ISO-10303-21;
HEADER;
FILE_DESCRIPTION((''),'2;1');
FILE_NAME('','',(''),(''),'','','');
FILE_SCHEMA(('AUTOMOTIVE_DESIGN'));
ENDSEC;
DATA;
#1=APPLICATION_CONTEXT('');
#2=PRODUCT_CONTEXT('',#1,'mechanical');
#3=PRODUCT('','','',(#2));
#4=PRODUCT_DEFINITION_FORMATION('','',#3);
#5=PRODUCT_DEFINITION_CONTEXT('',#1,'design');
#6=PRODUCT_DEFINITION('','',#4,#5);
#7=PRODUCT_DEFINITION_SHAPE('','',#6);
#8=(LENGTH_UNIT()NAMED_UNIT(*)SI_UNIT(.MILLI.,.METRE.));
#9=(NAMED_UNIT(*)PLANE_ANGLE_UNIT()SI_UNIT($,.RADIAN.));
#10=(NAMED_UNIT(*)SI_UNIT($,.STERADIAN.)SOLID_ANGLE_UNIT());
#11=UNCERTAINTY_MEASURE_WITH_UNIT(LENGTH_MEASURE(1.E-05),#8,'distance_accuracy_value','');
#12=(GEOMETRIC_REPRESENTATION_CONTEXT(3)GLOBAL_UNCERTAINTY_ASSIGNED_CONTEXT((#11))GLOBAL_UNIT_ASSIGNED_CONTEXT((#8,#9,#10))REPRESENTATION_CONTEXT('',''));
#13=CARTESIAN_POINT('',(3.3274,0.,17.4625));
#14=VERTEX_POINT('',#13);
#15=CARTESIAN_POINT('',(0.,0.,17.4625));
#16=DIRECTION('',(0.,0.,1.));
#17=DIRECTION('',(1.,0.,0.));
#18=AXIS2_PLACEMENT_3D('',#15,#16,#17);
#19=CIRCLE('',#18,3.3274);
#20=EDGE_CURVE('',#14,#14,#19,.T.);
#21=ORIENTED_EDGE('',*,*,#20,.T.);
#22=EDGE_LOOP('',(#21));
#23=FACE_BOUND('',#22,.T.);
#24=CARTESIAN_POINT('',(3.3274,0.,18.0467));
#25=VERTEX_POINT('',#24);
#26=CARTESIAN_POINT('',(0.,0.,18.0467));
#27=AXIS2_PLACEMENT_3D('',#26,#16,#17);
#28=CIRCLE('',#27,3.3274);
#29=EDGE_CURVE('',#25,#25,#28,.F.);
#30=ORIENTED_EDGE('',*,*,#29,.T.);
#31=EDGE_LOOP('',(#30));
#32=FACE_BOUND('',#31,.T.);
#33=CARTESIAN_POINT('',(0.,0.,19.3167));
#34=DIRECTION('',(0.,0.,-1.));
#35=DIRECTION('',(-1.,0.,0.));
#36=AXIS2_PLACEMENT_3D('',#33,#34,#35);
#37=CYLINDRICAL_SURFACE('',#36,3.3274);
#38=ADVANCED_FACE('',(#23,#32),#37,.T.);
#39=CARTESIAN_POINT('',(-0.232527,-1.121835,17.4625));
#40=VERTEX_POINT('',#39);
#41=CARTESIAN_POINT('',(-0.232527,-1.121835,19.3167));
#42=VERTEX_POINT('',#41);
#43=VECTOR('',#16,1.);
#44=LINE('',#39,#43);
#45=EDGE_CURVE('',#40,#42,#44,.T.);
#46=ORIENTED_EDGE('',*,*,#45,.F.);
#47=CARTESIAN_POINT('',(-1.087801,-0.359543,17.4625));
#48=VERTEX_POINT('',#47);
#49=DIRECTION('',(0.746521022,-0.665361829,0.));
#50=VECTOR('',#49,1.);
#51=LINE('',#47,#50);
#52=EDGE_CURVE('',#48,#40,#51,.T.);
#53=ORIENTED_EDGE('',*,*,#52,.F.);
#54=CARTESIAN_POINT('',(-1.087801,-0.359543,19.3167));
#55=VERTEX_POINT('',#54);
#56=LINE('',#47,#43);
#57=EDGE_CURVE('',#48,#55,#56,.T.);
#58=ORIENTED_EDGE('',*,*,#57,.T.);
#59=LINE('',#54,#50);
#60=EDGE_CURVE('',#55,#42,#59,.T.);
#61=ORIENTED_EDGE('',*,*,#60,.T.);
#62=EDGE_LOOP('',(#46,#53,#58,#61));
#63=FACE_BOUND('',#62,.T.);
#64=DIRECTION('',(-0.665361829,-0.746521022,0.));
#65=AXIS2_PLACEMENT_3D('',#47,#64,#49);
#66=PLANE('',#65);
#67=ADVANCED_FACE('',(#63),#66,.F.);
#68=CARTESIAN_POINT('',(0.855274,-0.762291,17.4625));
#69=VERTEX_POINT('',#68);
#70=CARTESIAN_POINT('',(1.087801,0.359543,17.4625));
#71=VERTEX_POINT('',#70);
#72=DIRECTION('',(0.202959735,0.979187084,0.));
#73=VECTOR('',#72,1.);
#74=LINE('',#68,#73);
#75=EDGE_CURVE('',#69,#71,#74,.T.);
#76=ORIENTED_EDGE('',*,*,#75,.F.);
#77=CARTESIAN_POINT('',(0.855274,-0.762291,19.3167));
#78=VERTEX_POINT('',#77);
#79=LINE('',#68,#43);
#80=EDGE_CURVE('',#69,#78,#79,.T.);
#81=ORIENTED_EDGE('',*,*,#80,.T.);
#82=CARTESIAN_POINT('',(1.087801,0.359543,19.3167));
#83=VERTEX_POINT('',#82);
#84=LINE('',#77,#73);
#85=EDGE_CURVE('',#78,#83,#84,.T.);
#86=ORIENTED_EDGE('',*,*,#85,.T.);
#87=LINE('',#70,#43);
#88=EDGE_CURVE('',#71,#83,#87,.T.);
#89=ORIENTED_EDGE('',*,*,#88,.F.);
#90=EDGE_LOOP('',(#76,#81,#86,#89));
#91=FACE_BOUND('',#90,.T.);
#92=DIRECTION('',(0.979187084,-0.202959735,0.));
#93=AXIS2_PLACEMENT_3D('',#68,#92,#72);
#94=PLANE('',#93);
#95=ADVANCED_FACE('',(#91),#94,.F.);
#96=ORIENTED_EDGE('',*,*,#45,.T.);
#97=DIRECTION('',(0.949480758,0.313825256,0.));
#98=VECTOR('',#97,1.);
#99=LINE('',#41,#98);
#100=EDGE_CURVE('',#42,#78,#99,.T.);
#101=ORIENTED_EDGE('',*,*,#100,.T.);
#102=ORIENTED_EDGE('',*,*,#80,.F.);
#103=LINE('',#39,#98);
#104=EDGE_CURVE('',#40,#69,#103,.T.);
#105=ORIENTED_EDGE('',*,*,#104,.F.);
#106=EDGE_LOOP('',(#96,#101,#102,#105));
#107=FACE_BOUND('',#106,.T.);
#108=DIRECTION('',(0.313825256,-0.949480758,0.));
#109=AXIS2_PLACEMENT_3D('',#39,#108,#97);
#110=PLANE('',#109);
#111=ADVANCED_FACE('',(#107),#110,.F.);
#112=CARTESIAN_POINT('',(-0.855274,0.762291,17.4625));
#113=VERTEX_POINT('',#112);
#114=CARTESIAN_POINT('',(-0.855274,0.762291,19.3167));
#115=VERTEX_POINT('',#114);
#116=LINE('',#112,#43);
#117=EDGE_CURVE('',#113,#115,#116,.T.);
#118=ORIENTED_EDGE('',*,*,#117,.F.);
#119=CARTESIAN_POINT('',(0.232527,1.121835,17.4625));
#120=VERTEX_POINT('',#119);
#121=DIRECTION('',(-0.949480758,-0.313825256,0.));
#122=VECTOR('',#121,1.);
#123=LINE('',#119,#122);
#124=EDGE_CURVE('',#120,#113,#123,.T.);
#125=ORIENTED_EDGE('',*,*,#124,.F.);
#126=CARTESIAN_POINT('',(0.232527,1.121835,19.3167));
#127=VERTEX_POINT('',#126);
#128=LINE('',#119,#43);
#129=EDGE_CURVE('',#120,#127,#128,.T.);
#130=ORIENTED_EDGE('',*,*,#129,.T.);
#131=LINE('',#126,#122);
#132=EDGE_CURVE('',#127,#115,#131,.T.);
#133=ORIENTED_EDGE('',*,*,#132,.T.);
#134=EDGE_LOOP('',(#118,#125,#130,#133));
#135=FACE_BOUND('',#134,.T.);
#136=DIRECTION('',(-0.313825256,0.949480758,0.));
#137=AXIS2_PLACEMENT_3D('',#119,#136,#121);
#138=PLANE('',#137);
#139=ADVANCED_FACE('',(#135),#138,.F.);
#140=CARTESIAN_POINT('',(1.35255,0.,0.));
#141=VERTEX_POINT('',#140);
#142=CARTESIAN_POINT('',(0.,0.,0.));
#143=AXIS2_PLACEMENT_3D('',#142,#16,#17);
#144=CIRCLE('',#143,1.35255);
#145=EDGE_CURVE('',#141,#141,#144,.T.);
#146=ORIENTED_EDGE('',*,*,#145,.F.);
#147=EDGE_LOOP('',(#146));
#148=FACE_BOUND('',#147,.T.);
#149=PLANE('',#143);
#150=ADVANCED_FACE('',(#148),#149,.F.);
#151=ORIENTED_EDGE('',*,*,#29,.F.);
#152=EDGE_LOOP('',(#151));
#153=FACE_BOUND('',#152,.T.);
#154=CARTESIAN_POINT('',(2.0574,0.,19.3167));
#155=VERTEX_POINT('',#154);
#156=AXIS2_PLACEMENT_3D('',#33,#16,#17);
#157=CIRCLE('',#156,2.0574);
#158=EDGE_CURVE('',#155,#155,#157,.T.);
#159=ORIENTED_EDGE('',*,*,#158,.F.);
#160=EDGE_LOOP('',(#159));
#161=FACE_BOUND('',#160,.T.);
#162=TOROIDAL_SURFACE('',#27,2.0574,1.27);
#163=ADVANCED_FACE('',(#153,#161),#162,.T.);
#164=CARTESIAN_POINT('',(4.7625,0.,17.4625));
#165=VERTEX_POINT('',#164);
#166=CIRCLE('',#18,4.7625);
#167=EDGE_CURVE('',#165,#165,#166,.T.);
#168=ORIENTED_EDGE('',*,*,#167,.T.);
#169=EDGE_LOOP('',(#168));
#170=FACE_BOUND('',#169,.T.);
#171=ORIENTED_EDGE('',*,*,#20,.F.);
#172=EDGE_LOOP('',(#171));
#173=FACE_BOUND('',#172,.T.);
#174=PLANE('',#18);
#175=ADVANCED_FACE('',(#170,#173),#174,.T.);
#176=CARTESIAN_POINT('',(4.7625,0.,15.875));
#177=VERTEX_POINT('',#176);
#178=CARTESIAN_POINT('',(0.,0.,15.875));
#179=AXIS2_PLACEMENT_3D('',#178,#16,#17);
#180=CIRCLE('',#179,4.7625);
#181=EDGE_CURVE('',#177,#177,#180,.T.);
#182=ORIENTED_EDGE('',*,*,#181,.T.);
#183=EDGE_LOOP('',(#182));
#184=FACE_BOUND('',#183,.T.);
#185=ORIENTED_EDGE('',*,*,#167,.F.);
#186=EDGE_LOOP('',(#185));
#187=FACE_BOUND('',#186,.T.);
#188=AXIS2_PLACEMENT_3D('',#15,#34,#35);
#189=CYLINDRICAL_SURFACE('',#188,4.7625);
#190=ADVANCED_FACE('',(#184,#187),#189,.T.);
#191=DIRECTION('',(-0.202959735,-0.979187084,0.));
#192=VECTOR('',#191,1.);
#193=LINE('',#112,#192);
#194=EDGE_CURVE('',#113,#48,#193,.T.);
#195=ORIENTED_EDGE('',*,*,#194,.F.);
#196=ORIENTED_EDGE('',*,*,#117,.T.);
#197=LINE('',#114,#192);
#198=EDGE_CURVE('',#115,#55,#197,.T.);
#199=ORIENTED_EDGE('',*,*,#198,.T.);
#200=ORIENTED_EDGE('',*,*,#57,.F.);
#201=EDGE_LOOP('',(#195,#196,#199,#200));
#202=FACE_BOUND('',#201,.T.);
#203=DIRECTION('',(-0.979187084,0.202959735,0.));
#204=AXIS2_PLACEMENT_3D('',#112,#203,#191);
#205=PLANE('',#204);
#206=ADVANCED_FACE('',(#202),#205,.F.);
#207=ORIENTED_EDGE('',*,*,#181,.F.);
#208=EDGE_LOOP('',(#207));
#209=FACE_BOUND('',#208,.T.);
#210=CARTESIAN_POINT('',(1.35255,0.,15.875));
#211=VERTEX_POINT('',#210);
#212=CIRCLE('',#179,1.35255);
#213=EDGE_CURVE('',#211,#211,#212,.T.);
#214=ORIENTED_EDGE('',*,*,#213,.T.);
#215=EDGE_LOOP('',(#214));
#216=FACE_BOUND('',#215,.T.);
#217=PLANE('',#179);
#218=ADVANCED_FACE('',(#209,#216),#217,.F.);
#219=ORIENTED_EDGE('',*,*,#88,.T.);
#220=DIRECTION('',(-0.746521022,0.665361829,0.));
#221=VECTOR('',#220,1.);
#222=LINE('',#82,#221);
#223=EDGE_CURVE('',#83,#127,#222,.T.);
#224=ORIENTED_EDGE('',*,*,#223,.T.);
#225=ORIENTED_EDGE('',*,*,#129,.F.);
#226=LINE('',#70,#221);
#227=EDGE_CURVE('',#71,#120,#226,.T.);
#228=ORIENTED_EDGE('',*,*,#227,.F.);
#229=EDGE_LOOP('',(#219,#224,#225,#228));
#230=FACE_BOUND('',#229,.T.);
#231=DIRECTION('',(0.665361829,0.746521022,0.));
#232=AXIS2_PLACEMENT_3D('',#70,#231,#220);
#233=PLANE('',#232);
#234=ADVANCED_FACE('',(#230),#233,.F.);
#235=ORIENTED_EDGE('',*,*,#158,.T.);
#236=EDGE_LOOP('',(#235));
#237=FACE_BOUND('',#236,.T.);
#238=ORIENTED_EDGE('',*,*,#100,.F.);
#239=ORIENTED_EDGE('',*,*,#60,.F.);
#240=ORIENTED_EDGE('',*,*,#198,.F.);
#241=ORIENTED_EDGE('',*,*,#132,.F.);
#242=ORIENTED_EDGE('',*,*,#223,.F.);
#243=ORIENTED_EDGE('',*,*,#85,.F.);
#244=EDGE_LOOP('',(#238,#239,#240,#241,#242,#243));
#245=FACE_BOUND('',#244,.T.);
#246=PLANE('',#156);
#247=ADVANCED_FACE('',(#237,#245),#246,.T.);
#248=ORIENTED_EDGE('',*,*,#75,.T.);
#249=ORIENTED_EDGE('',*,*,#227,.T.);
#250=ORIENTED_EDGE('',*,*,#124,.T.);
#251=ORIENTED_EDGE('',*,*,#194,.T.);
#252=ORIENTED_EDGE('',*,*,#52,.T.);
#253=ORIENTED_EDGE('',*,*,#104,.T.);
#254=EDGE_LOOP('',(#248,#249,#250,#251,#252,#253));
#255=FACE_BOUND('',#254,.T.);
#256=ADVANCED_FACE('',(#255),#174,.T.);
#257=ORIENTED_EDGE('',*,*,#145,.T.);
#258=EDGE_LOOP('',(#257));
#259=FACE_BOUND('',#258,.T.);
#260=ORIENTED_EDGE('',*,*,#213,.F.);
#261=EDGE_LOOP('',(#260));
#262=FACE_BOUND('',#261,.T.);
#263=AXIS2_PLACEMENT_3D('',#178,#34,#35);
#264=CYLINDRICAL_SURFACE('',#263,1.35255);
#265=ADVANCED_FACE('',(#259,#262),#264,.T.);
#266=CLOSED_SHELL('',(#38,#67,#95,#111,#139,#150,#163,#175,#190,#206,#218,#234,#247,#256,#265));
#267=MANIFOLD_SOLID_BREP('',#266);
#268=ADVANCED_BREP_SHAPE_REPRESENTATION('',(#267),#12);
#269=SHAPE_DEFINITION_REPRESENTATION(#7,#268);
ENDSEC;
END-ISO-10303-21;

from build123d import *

# Parameters (mm, degrees)
SKETCH1_R           = 1.35255
BOSS_EXTRUDE1_DEPTH = 15.875
SKETCH2_R           = 4.7625
BOSS_EXTRUDE2_DEPTH = 1.5875
SKETCH3_R           = 3.3274
BOSS_EXTRUDE3_DEPTH = 1.8542
FILLET1_R           = 1.27
CUT_EXTRUDE1_DEPTH  = 1.8542


with BuildPart() as part:
    # Sketch1 → Boss-Extrude1 (new body)
    with BuildSketch(Plane.XY):
        Circle(SKETCH1_R)
    extrude(amount=BOSS_EXTRUDE1_DEPTH)

    # Sketch2 → Boss-Extrude2 (add)
    with BuildSketch(Plane.XY.offset(15.875)):
        Circle(SKETCH2_R)
    extrude(amount=BOSS_EXTRUDE2_DEPTH)

    # Sketch3 → Boss-Extrude3 (add)
    with BuildSketch(Plane.XY.offset(17.4625)):
        Circle(SKETCH3_R)
    extrude(amount=BOSS_EXTRUDE3_DEPTH)

    # Fillet1
    fillet1_edges = [part.edges().sort_by_distance(p)[0] for p in [
        (-3.3274, 0, 19.3167),
    ]]
    fillet(fillet1_edges, radius=FILLET1_R)

    # Sketch4 → Cut-Extrude1 (cut)
    with BuildSketch(Plane.XY.offset(19.3167)):
        Polygon((1.087800583, 0.359543143), (0.232526796, 1.121834511), (-0.855273787, 0.762291368), (-1.087800583, -0.359543143), (-0.232526796, -1.121834511), (0.855273787, -0.762291368), align=None)
    extrude(amount=-CUT_EXTRUDE1_DEPTH, mode=Mode.SUBTRACT)


solid = part.part
